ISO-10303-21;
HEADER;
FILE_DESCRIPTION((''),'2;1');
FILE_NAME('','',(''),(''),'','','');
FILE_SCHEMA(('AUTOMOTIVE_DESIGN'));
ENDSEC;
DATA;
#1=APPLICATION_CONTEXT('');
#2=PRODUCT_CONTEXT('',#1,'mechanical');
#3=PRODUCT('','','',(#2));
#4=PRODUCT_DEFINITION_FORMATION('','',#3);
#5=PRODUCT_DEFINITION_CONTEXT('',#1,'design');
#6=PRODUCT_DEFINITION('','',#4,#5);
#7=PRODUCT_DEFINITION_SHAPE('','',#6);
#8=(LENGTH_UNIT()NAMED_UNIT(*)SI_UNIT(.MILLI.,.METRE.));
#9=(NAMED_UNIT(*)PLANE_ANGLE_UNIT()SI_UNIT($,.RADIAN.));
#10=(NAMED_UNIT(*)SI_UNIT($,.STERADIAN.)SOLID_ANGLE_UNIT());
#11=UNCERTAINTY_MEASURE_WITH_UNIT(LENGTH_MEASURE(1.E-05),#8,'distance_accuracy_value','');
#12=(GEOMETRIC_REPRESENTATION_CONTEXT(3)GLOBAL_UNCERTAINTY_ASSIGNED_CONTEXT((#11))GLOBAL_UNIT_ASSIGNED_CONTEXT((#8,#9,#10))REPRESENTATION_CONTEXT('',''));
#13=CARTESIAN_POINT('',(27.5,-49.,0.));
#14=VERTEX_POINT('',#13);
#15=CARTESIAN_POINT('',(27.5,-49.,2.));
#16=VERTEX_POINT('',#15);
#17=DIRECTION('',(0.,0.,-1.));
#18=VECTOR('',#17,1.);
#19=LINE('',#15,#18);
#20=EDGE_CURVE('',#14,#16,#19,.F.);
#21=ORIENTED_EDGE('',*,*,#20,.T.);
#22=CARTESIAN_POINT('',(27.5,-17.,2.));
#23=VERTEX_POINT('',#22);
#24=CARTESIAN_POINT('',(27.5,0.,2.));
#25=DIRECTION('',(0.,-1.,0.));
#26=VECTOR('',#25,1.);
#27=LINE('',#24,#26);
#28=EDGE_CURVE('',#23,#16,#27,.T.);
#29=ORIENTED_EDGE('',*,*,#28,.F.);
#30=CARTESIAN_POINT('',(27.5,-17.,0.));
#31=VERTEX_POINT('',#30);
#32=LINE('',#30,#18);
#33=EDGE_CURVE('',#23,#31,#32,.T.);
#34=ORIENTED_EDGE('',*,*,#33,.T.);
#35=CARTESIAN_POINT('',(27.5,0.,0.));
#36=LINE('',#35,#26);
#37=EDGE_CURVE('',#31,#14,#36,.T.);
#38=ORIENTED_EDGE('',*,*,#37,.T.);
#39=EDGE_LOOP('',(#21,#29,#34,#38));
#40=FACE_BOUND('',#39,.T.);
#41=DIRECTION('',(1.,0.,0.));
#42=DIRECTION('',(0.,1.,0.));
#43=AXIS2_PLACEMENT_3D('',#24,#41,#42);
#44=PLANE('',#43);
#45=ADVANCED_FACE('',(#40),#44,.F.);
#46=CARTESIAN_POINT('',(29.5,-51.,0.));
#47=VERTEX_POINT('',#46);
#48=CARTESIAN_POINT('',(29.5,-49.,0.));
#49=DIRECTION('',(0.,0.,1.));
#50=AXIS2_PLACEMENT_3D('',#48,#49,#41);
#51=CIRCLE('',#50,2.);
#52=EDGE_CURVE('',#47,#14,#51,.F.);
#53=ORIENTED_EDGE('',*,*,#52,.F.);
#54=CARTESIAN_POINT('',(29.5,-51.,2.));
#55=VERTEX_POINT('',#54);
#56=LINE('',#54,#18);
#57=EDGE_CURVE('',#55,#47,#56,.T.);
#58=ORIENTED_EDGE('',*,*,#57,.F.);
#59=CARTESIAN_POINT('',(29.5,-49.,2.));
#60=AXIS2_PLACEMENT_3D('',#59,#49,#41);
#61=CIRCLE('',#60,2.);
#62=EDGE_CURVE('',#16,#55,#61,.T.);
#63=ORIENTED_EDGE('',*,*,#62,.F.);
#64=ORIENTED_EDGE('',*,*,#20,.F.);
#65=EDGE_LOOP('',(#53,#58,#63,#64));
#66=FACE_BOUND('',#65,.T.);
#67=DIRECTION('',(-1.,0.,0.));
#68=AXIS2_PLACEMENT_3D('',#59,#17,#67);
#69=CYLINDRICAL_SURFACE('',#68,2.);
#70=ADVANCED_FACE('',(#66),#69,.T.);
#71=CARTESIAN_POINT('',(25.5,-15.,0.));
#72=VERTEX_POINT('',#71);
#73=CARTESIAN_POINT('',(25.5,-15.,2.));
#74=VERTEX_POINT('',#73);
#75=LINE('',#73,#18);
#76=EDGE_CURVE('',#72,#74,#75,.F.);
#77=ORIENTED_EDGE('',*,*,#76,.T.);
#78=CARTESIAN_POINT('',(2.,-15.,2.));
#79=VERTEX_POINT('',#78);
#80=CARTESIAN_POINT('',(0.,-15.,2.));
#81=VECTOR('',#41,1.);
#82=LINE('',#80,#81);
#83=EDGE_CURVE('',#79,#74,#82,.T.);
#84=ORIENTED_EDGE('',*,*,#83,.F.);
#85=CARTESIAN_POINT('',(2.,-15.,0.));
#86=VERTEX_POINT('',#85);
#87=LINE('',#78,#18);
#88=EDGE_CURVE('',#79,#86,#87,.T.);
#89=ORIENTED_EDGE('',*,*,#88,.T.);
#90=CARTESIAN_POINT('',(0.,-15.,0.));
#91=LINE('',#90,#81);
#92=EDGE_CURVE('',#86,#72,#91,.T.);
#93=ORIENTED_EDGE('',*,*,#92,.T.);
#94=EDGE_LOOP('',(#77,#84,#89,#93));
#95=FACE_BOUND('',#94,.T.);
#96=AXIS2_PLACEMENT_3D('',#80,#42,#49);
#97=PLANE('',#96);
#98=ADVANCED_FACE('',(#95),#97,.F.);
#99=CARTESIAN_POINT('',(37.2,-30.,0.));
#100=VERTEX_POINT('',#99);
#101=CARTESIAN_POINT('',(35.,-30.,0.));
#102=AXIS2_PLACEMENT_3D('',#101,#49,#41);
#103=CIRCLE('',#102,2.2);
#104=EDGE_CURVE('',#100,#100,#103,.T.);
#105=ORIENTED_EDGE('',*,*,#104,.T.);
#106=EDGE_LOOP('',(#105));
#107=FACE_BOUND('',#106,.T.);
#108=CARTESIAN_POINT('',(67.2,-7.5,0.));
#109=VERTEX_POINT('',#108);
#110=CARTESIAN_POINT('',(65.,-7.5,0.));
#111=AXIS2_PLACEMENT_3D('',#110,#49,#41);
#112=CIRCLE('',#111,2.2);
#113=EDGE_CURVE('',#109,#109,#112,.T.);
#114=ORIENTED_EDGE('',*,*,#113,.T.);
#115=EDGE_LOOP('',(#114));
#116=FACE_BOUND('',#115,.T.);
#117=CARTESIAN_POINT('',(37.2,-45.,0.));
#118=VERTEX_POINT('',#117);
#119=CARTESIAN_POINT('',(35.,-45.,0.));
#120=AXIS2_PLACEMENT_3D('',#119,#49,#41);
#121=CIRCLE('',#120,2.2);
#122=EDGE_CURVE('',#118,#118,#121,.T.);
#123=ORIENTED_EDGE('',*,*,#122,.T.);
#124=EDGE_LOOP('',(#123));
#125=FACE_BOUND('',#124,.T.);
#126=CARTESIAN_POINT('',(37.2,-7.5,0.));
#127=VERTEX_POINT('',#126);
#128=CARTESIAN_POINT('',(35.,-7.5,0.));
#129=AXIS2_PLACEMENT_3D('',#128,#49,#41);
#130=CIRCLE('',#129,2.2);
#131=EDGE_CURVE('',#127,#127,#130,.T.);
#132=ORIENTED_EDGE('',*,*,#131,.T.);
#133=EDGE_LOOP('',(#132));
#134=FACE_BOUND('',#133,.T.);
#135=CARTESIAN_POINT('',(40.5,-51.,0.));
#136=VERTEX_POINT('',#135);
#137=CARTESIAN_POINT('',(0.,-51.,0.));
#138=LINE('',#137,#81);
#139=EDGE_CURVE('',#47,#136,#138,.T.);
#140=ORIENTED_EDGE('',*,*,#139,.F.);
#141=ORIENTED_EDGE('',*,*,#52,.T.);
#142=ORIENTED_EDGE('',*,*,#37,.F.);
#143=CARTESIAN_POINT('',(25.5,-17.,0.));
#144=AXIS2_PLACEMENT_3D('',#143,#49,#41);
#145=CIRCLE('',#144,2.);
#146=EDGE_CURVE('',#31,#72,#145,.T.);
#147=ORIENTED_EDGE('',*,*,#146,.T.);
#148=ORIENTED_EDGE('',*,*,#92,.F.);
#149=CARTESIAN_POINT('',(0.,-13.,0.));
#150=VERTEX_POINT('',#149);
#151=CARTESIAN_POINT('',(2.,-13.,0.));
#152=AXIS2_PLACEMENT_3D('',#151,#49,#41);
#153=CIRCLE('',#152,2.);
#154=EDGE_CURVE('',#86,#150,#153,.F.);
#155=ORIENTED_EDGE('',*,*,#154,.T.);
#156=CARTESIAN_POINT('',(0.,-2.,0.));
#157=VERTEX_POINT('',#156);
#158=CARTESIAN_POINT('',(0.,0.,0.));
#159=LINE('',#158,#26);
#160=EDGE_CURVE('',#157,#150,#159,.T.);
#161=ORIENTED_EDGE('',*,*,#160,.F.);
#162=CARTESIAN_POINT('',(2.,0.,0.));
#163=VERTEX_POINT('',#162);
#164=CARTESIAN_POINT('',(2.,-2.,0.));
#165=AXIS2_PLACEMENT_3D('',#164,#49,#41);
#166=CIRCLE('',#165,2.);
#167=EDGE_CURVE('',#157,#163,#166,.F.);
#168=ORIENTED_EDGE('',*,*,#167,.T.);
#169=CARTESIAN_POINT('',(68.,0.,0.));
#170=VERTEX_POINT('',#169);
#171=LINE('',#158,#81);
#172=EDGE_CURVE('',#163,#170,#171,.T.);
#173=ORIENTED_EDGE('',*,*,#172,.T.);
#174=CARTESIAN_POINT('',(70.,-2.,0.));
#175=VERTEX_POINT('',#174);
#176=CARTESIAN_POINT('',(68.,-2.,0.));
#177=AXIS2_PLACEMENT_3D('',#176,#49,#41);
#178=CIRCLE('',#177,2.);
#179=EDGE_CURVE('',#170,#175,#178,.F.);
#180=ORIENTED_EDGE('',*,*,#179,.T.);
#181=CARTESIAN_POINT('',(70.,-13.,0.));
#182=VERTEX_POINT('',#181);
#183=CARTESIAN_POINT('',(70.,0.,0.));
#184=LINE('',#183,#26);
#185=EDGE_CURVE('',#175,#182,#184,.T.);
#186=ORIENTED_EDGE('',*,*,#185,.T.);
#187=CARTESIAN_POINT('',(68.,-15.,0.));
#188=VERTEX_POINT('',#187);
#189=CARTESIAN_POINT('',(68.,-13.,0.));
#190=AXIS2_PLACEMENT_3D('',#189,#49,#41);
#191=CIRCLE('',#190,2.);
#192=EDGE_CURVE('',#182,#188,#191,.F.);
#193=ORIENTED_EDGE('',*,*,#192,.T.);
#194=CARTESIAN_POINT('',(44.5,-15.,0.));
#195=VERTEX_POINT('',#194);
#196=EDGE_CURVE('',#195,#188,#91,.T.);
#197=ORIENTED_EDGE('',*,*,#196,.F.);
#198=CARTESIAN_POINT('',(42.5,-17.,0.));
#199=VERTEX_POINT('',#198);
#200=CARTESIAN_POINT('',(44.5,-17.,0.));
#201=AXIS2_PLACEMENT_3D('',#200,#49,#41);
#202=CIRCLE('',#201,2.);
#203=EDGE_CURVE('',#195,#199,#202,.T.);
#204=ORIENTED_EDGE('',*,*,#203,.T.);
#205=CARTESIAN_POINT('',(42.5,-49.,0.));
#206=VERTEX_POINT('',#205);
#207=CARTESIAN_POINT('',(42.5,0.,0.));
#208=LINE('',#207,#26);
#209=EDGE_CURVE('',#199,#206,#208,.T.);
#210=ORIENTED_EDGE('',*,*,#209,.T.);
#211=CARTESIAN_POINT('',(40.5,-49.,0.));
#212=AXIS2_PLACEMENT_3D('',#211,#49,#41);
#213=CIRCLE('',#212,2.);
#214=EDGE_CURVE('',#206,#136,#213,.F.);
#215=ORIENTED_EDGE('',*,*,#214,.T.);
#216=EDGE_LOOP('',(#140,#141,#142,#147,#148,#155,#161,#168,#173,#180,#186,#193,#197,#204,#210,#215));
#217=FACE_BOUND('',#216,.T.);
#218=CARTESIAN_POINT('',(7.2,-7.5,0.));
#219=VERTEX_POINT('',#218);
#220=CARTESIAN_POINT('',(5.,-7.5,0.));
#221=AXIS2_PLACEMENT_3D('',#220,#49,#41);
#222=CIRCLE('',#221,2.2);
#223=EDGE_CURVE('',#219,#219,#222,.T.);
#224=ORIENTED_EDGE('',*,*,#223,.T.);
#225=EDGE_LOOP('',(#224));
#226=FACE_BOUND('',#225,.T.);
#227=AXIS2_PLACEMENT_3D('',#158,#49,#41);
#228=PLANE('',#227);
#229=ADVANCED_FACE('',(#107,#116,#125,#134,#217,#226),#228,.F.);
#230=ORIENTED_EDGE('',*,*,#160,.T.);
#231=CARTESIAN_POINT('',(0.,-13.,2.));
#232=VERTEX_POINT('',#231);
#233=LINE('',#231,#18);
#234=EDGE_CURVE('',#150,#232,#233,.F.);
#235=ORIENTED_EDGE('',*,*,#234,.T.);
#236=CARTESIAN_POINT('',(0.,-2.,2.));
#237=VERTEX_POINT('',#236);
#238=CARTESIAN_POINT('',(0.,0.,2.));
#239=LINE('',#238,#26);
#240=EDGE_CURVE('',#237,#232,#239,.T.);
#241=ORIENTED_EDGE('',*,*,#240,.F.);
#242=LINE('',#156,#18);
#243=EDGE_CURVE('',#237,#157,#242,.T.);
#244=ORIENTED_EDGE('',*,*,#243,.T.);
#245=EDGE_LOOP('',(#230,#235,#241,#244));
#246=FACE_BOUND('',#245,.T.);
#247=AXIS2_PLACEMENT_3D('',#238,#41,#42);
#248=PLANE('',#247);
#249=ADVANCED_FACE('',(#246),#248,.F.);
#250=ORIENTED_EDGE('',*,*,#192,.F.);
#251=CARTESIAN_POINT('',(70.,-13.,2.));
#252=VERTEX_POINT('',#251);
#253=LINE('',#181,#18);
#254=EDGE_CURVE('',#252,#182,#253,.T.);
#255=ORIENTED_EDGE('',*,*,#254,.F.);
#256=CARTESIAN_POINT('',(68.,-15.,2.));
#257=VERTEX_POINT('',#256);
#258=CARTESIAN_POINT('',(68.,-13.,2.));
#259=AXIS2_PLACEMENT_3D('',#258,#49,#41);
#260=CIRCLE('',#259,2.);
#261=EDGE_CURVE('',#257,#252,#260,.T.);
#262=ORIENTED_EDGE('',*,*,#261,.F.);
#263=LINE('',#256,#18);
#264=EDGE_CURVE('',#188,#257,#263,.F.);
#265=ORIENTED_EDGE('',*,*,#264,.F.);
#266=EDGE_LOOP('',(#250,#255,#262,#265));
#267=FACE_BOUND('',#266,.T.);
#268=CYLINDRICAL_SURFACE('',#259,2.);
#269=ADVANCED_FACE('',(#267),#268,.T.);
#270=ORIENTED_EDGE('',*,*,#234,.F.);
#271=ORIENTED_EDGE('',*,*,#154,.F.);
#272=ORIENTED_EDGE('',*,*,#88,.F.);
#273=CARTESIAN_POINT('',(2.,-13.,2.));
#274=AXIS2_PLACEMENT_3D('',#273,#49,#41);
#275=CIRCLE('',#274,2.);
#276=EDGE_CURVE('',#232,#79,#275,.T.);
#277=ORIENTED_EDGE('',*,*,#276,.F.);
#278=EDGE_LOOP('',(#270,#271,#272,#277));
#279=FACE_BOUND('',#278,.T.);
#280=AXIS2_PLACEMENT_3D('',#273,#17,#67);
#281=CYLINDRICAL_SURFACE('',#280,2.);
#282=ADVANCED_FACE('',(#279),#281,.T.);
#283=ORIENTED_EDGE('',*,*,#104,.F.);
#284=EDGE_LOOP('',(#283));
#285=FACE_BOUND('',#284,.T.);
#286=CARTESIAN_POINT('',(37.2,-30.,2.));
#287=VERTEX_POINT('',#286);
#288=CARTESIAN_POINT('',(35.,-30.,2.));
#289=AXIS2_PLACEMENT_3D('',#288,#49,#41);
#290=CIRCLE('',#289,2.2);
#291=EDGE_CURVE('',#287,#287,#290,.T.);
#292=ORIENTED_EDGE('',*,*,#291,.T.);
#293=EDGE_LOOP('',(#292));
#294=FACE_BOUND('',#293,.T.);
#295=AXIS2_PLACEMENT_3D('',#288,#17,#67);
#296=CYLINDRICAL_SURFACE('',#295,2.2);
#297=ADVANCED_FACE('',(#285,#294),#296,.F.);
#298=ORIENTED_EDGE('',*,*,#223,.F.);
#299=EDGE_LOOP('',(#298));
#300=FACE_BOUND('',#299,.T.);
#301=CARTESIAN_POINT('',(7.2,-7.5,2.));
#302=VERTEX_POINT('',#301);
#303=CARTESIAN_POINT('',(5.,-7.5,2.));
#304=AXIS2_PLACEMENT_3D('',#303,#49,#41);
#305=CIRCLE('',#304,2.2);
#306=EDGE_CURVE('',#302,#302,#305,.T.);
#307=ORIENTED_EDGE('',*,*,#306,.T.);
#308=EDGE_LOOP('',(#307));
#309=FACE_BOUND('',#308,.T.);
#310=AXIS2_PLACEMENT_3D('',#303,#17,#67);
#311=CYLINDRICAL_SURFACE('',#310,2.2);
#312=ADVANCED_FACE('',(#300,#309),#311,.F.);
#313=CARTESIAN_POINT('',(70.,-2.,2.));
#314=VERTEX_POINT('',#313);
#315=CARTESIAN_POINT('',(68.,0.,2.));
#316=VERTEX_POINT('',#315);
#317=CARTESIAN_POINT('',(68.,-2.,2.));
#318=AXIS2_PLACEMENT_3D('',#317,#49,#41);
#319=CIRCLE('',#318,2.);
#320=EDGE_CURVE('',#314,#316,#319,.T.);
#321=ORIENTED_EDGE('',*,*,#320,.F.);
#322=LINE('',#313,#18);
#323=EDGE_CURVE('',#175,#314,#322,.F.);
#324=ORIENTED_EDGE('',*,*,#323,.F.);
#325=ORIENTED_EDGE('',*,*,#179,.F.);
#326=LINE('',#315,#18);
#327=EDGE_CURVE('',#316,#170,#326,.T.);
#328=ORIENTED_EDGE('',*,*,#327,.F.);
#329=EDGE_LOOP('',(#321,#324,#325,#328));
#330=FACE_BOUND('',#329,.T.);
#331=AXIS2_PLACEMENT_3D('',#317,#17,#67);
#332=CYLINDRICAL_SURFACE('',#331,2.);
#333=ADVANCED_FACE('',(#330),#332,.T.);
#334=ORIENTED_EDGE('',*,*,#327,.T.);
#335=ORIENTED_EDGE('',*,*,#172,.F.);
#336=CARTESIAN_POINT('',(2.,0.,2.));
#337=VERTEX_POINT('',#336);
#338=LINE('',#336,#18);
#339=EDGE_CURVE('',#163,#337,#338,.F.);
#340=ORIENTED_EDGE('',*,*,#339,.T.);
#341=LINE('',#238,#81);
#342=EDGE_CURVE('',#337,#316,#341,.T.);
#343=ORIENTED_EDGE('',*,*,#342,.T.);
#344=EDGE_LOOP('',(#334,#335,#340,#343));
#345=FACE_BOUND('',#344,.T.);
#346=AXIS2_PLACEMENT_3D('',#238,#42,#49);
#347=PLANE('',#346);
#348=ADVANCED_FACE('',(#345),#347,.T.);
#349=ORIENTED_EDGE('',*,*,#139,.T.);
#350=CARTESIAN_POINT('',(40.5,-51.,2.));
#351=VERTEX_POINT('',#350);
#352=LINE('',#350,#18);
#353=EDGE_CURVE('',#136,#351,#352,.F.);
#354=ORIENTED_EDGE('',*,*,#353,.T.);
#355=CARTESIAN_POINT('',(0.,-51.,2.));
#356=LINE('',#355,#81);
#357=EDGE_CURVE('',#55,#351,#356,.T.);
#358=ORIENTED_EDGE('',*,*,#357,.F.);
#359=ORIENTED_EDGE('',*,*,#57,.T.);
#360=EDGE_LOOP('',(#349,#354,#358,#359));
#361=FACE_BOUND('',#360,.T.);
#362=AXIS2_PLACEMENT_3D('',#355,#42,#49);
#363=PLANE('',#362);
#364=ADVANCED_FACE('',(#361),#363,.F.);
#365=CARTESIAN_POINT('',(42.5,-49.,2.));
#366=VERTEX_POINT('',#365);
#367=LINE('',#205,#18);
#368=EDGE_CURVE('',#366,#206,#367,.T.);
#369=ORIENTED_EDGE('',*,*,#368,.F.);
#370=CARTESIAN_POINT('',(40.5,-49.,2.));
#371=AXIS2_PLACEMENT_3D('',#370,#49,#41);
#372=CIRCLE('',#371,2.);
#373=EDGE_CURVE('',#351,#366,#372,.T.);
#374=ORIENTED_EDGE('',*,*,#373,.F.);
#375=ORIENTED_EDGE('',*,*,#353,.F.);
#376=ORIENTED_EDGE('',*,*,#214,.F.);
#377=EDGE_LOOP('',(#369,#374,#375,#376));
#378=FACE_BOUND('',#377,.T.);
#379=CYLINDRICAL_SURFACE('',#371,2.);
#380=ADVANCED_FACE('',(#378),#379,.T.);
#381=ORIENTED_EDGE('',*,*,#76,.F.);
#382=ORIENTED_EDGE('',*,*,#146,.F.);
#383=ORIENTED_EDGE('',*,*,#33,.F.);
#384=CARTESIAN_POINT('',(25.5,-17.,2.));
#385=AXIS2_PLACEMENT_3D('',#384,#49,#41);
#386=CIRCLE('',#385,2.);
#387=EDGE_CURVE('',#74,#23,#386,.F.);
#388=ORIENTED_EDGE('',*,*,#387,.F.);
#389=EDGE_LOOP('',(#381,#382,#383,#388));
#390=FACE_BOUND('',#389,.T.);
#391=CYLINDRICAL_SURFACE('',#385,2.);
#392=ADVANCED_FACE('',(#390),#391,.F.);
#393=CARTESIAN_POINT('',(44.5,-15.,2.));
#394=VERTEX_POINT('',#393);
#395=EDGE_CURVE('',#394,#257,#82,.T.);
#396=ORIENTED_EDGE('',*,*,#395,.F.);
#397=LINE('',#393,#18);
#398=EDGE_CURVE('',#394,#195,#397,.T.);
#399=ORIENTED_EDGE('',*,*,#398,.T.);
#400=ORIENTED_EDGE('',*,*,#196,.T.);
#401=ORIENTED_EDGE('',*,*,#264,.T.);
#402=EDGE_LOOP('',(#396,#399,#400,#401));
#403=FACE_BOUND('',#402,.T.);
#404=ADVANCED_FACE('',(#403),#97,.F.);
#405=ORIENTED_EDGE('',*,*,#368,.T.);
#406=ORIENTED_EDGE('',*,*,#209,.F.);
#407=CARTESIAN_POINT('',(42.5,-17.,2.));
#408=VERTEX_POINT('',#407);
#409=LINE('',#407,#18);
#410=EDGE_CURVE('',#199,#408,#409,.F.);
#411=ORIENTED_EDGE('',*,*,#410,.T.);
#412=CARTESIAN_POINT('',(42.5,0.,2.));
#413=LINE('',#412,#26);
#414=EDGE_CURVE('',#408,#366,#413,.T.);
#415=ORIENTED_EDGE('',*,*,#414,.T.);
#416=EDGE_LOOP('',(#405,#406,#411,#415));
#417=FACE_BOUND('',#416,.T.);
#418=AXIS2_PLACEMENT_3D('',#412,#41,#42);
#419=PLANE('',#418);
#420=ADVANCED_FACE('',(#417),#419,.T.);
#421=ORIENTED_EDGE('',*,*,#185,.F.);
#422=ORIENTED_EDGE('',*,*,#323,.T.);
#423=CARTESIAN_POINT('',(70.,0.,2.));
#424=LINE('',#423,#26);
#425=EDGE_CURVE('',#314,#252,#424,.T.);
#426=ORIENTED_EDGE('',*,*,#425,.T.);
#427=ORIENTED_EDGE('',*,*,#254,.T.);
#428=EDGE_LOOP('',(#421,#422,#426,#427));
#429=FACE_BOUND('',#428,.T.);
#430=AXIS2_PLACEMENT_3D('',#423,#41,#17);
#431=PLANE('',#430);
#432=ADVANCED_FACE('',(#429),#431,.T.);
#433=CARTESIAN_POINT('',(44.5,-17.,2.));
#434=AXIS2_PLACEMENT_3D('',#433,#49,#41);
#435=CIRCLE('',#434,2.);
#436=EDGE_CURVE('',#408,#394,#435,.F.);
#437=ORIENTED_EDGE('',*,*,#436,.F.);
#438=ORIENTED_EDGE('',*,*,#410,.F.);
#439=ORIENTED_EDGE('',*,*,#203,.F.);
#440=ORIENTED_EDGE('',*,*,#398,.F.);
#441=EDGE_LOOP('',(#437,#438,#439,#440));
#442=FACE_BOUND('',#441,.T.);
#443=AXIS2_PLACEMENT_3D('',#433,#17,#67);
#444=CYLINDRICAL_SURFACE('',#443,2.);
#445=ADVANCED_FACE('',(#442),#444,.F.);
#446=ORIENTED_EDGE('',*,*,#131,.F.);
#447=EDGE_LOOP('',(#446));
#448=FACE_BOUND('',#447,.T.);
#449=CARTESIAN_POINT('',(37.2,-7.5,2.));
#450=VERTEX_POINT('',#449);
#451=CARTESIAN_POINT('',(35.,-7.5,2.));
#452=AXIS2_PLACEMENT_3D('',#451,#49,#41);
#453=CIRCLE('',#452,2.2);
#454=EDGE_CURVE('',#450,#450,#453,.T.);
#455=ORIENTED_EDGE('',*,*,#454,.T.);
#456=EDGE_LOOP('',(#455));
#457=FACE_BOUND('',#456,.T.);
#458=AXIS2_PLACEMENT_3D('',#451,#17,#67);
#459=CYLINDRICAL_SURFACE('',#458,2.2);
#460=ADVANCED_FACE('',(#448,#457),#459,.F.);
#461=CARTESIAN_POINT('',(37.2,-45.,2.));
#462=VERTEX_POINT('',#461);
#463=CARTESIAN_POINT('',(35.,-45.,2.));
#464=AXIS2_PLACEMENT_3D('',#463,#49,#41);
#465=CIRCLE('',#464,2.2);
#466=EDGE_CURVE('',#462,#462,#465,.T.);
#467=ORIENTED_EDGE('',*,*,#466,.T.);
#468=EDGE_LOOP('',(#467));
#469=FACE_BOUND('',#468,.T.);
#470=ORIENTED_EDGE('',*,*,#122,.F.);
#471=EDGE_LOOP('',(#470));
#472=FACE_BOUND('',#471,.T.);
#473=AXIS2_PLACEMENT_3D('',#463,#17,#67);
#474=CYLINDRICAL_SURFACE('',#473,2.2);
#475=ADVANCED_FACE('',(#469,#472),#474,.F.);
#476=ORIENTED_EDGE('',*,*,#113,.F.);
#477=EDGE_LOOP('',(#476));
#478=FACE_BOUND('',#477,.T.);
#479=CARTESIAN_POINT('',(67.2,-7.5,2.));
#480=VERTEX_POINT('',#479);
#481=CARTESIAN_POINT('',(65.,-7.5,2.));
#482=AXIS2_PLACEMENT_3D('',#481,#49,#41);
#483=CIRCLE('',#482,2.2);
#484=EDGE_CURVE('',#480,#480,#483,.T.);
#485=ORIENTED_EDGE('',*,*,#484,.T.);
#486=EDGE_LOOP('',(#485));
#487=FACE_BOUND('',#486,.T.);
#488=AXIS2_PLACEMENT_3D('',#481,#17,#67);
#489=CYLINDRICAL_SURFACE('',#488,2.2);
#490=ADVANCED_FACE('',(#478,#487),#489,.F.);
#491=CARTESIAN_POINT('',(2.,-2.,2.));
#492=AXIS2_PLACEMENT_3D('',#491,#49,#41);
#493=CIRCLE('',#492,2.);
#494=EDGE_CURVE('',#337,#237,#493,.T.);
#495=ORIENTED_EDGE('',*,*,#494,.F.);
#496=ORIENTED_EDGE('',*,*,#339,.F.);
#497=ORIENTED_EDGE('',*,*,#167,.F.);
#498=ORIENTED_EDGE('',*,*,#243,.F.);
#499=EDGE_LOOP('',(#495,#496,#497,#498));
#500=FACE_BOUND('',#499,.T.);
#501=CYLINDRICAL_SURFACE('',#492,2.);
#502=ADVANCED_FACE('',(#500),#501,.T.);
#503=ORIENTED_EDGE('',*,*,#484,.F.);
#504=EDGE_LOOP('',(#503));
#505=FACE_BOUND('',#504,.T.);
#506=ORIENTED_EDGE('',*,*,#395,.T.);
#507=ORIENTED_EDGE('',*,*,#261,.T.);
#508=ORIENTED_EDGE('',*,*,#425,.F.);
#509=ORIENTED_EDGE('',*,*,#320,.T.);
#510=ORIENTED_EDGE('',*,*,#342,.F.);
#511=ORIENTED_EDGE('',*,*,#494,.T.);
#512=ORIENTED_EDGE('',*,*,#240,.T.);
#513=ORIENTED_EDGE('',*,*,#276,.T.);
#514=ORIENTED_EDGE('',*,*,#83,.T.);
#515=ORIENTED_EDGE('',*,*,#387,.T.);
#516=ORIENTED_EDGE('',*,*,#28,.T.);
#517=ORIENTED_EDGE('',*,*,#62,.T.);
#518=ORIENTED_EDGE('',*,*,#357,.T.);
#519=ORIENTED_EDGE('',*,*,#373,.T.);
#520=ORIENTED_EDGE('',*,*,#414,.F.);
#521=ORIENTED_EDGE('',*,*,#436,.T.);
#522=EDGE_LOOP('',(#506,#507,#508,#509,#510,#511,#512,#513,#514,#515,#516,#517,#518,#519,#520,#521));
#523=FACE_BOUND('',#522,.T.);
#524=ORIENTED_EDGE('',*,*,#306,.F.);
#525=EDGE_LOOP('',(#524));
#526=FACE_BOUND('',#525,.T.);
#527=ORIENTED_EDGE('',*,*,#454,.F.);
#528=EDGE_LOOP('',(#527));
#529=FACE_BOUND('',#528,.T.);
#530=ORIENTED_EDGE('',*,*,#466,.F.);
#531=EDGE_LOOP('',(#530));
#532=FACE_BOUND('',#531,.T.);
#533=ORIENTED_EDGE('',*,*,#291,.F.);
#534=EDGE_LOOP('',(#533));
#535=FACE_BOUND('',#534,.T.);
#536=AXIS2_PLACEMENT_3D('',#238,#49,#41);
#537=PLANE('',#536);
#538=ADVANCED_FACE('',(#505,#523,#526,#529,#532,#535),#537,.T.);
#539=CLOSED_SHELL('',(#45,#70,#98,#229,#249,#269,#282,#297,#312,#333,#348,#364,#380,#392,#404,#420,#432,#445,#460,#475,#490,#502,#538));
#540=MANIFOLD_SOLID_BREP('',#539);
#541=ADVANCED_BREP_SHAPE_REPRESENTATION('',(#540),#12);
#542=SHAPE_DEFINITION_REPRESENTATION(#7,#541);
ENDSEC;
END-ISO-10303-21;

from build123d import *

# Parameters (mm, degrees)
SKETCH_1_W      = 27.5
SKETCH_1_H      = 15
SKETCH_1_R      = 2.2
SKETCH_1_W_2    = 15
SKETCH_1_H_2    = 36
EXTRUDE_1_DEPTH = 2
FILLET_1_R      = 2


with BuildPart() as part:
    # 草图1 → 凸台-拉伸1 (new body)
    # profile 1 of 4: a face of its own
    with BuildSketch(Plane.XY):
        with Locations((13.75, -7.5)):
            Rectangle(SKETCH_1_W, SKETCH_1_H)
        with Locations((5, -7.5)):
            Circle(SKETCH_1_R, mode=Mode.SUBTRACT)
    # profile 2 of 4: a face of its own
    with BuildSketch(Plane.XY):
        with Locations((56.25, -7.5)):
            Rectangle(SKETCH_1_W, SKETCH_1_H)
        with Locations((65, -7.5)):
            Circle(SKETCH_1_R, mode=Mode.SUBTRACT)
    # profile 3 of 4: a face of its own
    with BuildSketch(Plane.XY):
        with Locations((35, -7.5)):
            Rectangle(SKETCH_1_W_2, SKETCH_1_H)
        with Locations((35, -7.5)):
            Circle(SKETCH_1_R, mode=Mode.SUBTRACT)
    # profile 4 of 4: a face of its own
    with BuildSketch(Plane.XY):
        with Locations((35, -33)):
            Rectangle(SKETCH_1_W_2, SKETCH_1_H_2)
        with Locations((35, -45)):
            Circle(SKETCH_1_R, mode=Mode.SUBTRACT)
        with Locations((35, -30)):
            Circle(SKETCH_1_R, mode=Mode.SUBTRACT)
    extrude(amount=EXTRUDE_1_DEPTH)

    # 圆角1
    fillet_1_edges = [part.edges().sort_by_distance(p)[0] for p in [
        (0, -15, 1),
        (0, 0, 1),
        (70, 0, 1),
        (70, -15, 1),
        (42.5, -15, 1),
        (42.5, -51, 1),
        (27.5, -51, 1),
        (27.5, -15, 1),
    ]]
    fillet(fillet_1_edges, radius=FILLET_1_R)


solid = part.part
